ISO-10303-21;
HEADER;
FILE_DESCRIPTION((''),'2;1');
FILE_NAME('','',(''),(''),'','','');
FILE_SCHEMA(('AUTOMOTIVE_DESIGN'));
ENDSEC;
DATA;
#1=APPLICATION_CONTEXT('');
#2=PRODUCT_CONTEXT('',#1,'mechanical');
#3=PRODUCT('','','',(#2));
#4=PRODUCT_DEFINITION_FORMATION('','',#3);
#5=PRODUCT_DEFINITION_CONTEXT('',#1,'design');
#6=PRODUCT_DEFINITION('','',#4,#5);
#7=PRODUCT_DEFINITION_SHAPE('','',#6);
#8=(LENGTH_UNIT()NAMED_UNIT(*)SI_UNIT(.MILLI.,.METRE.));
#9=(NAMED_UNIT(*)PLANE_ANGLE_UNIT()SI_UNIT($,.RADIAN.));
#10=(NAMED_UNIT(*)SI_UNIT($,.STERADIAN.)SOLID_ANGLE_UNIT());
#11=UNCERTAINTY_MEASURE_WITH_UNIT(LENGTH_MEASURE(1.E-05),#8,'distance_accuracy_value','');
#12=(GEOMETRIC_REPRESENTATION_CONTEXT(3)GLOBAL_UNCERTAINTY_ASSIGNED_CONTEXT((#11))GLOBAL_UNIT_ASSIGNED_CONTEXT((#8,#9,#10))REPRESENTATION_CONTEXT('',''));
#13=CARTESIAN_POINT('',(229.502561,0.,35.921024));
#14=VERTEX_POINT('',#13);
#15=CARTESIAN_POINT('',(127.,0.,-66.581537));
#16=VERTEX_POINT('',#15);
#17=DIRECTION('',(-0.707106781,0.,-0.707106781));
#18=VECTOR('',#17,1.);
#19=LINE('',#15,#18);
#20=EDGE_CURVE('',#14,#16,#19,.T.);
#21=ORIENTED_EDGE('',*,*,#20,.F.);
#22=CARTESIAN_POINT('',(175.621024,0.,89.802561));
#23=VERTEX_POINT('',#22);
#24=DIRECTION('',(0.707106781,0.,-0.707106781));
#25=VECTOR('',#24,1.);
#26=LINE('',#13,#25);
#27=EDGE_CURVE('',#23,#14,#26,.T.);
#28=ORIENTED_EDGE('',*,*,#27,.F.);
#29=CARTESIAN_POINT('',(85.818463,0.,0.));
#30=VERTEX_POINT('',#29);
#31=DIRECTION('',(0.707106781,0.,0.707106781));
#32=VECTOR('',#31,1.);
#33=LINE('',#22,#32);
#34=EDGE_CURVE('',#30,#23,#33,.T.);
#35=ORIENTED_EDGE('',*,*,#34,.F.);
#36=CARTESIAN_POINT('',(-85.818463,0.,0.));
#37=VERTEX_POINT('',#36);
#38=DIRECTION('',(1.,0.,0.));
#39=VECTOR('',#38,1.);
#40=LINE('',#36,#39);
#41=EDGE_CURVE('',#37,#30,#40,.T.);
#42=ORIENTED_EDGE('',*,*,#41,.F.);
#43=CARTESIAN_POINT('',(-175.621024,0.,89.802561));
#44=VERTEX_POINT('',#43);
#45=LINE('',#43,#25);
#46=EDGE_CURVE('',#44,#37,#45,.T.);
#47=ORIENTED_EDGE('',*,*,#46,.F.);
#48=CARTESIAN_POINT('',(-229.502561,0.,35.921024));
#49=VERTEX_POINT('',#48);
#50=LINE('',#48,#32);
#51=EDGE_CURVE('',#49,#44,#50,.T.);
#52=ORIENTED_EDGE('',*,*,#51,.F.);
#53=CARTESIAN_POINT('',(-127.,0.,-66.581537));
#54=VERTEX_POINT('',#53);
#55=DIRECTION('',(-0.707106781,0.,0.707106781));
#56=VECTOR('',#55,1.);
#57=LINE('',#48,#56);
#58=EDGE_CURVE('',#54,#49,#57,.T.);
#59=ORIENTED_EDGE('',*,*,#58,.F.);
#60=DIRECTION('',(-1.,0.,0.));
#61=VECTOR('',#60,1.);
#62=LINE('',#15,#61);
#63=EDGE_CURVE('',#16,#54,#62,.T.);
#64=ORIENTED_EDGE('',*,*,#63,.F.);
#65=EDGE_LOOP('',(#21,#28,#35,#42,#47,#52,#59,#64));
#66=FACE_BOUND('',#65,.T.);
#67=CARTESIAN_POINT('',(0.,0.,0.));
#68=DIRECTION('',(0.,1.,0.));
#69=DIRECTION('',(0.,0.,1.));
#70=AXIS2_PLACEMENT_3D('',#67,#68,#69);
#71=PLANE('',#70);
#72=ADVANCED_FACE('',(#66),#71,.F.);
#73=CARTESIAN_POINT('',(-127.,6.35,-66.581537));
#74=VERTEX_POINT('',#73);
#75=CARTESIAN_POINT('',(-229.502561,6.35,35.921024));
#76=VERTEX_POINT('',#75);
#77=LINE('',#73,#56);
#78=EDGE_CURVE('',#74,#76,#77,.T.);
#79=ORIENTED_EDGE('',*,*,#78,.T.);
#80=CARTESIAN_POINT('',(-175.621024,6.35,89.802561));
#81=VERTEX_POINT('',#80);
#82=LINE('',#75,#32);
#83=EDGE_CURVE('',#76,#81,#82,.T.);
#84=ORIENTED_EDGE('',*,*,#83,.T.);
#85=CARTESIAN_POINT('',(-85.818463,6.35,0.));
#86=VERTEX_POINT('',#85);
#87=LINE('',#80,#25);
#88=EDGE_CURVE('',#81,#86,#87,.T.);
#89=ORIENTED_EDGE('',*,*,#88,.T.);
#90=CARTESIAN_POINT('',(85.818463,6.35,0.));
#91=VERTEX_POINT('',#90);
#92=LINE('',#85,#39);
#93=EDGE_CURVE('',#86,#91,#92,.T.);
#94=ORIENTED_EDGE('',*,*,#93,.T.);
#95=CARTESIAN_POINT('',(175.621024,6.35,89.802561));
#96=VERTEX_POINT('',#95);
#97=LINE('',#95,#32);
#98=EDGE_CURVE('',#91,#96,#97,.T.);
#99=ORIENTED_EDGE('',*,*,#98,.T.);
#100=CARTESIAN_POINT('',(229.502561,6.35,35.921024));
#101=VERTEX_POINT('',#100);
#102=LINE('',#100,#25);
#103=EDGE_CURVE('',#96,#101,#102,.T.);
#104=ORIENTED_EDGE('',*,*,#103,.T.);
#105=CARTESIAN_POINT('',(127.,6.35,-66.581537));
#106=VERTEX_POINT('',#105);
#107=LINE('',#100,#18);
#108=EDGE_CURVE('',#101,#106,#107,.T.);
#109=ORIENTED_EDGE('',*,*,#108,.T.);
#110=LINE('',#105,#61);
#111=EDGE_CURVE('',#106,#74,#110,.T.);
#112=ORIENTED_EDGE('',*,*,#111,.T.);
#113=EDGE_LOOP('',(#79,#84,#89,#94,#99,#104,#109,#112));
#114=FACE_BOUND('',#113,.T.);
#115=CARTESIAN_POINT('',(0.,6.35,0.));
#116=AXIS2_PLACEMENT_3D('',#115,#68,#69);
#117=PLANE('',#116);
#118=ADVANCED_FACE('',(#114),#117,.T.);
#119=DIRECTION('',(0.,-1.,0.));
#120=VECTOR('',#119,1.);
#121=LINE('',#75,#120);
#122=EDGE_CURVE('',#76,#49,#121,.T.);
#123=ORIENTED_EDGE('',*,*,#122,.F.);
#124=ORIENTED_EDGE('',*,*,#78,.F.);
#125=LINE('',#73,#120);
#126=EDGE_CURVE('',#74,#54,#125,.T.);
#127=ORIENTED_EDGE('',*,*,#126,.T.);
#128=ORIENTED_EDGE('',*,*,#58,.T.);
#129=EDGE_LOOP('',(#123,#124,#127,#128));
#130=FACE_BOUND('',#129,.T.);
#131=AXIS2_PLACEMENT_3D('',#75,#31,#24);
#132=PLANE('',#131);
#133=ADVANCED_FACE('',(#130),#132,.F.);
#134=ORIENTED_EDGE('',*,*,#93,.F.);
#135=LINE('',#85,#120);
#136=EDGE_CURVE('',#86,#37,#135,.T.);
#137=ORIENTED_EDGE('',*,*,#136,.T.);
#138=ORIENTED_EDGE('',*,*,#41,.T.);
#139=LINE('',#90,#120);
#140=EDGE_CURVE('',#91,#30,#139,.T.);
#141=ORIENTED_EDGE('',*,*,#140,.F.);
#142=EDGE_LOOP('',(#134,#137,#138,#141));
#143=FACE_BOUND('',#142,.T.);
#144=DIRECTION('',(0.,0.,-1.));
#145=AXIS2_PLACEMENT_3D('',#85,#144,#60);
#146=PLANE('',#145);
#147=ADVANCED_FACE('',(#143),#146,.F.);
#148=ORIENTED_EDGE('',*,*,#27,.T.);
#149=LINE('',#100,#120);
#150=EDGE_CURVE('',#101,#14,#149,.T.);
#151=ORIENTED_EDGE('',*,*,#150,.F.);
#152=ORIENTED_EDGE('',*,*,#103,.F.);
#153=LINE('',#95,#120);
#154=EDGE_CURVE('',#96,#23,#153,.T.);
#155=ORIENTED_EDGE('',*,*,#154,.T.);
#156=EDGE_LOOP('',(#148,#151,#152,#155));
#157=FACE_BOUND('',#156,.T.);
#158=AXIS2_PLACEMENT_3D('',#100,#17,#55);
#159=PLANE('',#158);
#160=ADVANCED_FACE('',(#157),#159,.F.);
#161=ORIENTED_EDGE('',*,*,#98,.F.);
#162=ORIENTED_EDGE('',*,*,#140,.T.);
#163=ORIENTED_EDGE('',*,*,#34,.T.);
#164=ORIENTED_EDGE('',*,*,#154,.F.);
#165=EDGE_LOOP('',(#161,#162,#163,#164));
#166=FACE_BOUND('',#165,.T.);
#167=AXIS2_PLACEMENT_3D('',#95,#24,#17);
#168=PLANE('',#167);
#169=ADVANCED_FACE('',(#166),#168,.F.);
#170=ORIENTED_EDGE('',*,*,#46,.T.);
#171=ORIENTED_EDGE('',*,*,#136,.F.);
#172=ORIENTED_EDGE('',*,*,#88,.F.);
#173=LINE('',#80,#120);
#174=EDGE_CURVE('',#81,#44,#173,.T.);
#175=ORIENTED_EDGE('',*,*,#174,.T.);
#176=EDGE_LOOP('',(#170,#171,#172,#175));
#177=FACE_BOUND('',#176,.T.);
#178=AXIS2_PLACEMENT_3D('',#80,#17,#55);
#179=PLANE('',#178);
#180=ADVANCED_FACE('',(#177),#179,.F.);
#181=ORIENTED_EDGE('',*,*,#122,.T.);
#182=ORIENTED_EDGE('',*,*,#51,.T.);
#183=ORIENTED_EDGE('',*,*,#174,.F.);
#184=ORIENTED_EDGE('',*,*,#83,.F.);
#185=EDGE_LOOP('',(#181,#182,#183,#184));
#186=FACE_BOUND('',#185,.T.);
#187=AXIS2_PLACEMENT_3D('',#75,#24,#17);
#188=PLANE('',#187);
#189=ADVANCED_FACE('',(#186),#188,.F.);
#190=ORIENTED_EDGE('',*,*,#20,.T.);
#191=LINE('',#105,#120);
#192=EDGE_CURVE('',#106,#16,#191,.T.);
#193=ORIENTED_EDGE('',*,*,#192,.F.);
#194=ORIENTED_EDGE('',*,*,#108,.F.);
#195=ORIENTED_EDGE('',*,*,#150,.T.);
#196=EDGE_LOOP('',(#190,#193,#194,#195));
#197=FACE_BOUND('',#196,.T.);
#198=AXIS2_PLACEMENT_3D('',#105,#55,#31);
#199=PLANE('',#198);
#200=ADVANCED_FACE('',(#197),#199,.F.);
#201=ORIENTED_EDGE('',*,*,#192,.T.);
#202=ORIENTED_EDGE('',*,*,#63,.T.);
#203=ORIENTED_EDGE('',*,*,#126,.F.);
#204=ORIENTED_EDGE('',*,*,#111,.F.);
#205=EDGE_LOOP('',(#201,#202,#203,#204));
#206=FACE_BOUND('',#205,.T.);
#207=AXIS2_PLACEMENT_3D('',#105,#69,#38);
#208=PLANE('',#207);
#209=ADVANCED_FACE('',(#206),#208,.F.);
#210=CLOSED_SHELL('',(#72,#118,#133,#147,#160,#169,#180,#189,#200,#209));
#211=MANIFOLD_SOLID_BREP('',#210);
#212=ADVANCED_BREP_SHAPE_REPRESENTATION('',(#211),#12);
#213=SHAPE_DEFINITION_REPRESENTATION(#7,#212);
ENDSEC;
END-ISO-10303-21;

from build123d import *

# Parameters (mm, degrees)
BOSS_EXTRUDE1_DEPTH = 6.35


with BuildPart() as part:
    # Sketch1 → Boss-Extrude1 (new body)
    with BuildSketch(Plane(origin=(0, 0, 0), x_dir=(1, 0, 0), z_dir=(0, 1, 0))):
        Polygon((-229.502561211, -35.921024484), (-166.640768363, 26.940768363), (-127, 66.581536726), (127, 66.581536726), (166.640768363, 26.940768363), (229.502561211, -35.921024484), (175.621024484, -89.802561211), (85.818463274, 0), (-85.818463274, 0), (-175.621024484, -89.802561211), align=None)
    extrude(amount=BOSS_EXTRUDE1_DEPTH)


solid = part.part
